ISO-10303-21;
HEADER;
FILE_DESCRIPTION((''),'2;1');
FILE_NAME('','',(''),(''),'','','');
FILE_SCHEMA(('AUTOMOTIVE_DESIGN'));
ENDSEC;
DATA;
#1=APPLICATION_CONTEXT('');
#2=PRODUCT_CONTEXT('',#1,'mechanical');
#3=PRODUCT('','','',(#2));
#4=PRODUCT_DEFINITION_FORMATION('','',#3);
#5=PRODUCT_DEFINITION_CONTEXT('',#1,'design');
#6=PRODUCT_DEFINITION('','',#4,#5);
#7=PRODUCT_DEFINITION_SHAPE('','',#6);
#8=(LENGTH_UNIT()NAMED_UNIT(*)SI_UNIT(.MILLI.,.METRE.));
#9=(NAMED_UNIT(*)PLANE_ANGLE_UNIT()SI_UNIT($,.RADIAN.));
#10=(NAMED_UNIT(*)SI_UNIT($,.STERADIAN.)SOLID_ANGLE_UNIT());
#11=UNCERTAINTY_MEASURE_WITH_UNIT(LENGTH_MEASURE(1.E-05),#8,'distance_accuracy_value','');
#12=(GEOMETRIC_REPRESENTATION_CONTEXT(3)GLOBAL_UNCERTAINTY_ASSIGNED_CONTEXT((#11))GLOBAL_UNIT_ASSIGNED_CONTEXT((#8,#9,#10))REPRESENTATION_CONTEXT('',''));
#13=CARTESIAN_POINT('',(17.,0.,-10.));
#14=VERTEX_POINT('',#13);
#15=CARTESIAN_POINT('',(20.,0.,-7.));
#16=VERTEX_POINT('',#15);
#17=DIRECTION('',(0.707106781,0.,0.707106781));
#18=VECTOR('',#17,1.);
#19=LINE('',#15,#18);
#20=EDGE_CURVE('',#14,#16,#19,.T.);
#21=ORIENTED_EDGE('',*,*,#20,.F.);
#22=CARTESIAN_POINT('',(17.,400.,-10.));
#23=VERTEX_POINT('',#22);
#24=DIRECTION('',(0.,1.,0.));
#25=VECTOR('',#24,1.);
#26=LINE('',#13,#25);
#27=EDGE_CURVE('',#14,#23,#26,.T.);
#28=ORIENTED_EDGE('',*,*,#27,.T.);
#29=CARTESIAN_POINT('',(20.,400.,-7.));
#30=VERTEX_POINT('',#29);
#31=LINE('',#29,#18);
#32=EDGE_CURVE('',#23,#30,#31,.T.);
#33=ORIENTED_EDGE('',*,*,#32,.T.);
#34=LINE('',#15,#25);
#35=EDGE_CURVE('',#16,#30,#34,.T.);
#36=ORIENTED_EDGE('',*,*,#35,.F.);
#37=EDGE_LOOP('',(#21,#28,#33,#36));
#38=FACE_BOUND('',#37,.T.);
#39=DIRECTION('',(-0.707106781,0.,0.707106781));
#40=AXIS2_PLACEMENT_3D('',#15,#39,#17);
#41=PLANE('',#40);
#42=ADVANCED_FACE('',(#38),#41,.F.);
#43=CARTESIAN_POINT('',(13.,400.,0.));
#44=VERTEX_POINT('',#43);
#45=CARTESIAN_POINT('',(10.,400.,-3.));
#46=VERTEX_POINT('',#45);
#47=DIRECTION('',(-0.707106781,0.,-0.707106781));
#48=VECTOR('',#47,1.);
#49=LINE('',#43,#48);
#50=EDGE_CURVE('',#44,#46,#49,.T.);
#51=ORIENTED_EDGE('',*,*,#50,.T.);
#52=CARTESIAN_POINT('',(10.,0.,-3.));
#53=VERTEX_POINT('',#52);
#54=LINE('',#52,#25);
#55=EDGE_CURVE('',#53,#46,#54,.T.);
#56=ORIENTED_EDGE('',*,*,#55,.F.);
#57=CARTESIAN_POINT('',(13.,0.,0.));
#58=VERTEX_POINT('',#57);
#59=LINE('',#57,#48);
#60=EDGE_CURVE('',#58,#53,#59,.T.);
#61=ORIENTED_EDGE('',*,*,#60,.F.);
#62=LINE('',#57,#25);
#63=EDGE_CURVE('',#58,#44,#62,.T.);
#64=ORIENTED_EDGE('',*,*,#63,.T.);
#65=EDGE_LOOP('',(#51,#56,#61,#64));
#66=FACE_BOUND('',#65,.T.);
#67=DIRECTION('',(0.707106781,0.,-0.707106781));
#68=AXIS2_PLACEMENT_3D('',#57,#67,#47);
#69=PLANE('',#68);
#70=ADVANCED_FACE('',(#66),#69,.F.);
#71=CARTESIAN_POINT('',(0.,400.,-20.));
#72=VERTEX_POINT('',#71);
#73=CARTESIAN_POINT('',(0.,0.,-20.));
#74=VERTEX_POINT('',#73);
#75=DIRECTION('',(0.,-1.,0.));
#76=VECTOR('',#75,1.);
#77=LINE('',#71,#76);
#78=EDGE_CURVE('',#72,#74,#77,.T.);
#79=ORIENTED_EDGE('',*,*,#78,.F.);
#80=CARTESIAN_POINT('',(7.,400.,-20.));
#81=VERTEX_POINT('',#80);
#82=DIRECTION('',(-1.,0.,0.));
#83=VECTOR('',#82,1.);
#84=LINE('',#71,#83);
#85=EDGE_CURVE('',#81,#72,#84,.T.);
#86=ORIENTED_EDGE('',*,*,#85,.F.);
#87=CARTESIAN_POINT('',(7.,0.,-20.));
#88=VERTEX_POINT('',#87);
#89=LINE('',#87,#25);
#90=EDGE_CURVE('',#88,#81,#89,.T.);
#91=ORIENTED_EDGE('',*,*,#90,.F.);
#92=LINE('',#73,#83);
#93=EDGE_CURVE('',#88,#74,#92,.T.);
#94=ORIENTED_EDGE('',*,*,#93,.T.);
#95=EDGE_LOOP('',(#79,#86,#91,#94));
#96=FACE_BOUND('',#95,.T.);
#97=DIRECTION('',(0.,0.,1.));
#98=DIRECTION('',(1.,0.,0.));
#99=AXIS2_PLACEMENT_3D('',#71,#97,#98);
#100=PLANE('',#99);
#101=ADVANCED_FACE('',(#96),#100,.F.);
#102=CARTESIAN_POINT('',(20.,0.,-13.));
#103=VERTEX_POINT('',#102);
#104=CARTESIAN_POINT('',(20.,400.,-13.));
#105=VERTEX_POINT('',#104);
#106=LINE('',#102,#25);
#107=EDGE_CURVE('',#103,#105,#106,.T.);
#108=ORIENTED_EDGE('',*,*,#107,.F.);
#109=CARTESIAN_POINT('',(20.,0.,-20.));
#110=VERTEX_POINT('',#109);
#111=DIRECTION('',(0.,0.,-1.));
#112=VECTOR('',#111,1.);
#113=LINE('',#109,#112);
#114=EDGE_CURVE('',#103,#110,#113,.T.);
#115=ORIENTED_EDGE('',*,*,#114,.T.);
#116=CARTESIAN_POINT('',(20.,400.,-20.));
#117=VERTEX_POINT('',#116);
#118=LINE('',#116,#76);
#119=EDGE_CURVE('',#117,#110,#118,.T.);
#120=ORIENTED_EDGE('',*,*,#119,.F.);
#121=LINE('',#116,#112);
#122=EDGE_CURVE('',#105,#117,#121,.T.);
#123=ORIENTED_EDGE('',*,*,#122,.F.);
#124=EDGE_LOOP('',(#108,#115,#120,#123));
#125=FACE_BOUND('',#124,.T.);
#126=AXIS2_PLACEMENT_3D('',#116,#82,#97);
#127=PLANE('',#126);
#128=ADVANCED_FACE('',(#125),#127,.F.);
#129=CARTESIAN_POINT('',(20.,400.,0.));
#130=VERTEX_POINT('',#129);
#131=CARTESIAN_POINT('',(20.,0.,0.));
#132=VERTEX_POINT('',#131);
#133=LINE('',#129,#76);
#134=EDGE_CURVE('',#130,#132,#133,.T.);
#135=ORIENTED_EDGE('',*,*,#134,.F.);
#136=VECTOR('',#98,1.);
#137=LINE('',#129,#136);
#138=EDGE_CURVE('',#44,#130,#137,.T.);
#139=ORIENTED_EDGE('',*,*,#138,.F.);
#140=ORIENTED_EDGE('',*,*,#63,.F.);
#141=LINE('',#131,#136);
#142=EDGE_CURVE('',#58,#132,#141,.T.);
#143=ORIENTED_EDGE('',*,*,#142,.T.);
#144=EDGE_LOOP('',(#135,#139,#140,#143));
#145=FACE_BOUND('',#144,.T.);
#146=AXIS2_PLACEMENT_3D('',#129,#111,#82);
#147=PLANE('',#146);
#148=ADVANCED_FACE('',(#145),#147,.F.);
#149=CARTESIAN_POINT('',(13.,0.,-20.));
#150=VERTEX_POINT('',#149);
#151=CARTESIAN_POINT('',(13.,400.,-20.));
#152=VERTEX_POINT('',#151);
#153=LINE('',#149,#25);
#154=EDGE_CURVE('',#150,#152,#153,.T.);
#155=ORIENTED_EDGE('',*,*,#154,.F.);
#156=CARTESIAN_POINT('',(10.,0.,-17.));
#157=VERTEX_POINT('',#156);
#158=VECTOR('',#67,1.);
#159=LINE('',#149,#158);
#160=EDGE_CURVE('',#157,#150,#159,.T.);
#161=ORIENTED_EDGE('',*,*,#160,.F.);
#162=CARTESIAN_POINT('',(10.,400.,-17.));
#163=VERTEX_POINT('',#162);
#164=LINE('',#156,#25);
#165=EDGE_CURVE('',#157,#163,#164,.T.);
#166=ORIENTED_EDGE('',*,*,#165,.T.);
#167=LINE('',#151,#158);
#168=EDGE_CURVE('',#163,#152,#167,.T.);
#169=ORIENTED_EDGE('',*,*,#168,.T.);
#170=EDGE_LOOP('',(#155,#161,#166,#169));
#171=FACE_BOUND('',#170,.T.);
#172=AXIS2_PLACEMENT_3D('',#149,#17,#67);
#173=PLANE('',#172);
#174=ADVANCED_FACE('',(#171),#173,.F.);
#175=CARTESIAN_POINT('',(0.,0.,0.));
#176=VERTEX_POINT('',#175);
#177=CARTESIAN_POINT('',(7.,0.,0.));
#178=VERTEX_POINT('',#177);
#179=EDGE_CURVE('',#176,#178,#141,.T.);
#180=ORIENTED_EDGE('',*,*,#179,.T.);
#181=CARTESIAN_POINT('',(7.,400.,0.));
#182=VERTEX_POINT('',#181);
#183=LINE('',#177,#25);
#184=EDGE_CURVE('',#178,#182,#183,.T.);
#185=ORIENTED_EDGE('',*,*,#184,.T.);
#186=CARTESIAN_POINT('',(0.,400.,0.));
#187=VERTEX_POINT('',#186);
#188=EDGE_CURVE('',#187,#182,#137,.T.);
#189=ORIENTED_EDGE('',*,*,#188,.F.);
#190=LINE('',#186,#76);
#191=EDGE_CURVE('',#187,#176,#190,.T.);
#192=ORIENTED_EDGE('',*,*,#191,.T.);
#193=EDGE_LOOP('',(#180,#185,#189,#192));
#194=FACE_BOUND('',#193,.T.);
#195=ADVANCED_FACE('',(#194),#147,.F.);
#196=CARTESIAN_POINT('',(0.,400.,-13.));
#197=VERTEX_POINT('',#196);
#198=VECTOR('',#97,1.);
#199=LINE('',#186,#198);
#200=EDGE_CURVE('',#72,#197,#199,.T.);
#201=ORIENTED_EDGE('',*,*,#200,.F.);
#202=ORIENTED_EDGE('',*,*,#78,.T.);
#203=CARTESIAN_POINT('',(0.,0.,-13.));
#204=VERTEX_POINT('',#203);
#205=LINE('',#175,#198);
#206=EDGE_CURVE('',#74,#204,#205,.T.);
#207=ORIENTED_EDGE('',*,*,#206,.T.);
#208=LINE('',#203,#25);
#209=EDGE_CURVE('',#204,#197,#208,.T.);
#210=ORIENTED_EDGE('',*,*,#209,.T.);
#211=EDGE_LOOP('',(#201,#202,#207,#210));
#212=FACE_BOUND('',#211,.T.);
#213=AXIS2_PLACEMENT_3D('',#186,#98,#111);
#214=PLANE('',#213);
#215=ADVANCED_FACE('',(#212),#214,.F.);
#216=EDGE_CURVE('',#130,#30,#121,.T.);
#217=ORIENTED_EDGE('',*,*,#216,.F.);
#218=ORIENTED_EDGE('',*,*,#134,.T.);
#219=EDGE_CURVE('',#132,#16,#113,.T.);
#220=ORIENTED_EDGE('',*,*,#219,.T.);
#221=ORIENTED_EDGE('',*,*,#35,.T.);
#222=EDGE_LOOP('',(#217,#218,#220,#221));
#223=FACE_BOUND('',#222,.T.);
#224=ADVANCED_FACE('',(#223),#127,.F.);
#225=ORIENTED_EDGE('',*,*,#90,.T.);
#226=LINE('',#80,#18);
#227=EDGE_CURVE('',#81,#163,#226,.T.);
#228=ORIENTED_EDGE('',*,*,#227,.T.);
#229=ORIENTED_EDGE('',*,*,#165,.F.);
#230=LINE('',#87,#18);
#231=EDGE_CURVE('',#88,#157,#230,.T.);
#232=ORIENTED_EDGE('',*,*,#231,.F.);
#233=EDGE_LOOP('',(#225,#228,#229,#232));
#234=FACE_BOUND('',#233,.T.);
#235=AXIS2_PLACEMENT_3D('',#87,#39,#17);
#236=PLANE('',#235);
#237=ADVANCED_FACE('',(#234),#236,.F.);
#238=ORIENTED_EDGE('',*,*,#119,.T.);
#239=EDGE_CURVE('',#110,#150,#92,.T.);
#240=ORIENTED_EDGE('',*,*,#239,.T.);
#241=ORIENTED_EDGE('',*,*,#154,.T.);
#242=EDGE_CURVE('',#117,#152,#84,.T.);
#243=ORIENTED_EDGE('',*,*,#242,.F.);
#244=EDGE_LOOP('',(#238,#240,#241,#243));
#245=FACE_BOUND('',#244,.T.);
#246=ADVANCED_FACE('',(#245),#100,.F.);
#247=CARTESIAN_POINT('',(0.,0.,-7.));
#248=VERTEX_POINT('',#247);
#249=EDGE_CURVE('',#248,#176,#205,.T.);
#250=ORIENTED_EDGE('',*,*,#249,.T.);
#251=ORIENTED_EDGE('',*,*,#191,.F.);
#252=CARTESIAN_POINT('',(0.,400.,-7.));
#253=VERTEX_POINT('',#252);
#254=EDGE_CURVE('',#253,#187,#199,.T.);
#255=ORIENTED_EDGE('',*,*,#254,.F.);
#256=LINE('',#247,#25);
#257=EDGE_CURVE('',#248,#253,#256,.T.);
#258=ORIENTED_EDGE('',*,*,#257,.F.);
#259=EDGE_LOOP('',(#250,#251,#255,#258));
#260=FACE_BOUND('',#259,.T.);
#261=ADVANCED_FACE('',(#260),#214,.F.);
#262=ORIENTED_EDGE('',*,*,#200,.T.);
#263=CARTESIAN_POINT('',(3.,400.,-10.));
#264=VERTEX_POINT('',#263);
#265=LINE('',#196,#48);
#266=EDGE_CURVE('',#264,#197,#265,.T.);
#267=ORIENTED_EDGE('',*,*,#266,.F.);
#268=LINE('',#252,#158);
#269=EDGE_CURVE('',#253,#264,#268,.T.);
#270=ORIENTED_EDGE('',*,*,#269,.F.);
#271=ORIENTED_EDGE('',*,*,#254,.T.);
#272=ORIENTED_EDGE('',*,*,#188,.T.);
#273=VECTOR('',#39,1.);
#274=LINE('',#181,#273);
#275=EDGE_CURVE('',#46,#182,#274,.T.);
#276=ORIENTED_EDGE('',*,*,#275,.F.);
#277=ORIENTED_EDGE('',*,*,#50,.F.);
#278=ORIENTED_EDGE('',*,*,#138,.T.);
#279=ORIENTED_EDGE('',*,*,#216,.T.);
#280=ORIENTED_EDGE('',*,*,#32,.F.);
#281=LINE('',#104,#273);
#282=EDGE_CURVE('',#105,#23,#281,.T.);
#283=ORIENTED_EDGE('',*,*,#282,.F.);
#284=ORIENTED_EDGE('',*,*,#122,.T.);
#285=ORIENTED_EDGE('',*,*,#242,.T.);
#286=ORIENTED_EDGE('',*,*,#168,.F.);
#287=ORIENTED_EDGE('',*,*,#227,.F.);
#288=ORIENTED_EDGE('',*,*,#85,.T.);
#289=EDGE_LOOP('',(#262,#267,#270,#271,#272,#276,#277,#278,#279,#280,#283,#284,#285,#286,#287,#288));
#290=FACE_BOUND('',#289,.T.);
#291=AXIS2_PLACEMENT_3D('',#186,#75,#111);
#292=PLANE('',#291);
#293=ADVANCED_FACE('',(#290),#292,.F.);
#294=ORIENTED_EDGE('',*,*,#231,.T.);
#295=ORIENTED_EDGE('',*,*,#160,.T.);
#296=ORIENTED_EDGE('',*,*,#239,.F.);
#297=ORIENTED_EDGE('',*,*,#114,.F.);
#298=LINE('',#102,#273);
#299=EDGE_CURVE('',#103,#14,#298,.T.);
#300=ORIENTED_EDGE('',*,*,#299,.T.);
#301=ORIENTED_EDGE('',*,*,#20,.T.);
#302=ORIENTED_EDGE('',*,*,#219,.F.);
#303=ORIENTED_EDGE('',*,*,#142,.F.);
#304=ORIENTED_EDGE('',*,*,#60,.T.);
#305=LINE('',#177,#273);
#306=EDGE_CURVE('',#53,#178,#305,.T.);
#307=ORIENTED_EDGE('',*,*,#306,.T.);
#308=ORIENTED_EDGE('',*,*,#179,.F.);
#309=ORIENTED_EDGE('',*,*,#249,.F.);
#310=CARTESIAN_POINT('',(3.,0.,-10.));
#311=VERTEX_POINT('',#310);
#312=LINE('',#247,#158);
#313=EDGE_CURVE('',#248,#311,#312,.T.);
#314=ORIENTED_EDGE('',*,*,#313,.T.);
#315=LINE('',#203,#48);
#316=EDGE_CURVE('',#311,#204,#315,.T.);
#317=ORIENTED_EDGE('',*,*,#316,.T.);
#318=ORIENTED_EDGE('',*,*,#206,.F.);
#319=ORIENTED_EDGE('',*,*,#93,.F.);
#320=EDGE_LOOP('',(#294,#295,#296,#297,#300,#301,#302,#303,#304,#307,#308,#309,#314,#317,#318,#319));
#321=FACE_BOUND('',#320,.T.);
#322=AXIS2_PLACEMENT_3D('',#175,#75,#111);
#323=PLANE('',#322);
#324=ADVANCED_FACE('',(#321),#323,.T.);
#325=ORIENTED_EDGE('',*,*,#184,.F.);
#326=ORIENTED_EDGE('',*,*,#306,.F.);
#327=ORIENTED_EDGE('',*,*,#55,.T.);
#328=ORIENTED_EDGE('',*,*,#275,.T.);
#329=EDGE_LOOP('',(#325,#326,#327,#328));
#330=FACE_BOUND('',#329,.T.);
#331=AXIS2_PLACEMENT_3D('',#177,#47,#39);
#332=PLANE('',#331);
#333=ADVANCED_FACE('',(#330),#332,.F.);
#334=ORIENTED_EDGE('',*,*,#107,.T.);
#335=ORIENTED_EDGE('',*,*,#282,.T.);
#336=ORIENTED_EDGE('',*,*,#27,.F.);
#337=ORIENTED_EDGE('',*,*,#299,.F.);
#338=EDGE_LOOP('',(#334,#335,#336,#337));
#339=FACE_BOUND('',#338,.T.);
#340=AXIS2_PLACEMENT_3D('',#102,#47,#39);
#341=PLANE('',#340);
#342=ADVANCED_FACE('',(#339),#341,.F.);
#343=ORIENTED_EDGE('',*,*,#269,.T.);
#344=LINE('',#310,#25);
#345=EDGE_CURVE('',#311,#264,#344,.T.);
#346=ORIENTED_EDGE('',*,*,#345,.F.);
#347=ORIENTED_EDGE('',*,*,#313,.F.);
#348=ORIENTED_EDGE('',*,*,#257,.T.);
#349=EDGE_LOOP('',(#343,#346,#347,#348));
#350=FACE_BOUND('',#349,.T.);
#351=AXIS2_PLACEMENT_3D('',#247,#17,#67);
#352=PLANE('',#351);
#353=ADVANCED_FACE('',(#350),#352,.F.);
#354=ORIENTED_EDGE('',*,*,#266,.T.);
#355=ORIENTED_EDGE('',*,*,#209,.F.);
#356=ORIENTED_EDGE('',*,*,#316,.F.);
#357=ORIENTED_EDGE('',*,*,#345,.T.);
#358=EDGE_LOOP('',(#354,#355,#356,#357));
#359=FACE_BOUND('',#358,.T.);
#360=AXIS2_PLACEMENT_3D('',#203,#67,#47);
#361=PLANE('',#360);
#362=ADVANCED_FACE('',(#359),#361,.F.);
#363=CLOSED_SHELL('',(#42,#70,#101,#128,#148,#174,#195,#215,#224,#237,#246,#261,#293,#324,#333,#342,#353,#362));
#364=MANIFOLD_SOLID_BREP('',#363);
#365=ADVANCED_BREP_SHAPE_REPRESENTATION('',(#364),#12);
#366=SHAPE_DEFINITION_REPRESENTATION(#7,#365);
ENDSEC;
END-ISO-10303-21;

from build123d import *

# Parameters (mm, degrees)
SKIZZE1_W                       = 20
SKIZZE1_H                       = 20
AUFSATZ_LINEAR_AUSTRAGEN1_DEPTH = 400
SCHNITT_LINEAR_AUSTRAGEN1_DEPTH = 401.998753115


with BuildPart() as part:
    # Skizze1 → Aufsatz-Linear austragen1 (new body)
    with BuildSketch(Plane(origin=(0, 0, 0), x_dir=(1, 0, 0), z_dir=(0, 1, 0))):
        with Locations((10, 10)):
            Rectangle(SKIZZE1_W, SKIZZE1_H)
    extrude(amount=AUFSATZ_LINEAR_AUSTRAGEN1_DEPTH)

    # Skizze2 → Schnitt-Linear austragen1 (cut, through all)
    with BuildSketch(Plane(origin=(0, 400, 0), x_dir=(1, 0, 0), z_dir=(0, 1, 0))):
        Polygon((7, 20), (10, 17), (13, 20), align=None)
        Polygon((20, 13), (17, 10), (20, 7), align=None)
        Polygon((0, 7), (0, 13), (3, 10), align=None)
        Polygon((7, 0), (13, 0), (10, 3), align=None)
    extrude(amount=-SCHNITT_LINEAR_AUSTRAGEN1_DEPTH, mode=Mode.SUBTRACT)


solid = part.part
